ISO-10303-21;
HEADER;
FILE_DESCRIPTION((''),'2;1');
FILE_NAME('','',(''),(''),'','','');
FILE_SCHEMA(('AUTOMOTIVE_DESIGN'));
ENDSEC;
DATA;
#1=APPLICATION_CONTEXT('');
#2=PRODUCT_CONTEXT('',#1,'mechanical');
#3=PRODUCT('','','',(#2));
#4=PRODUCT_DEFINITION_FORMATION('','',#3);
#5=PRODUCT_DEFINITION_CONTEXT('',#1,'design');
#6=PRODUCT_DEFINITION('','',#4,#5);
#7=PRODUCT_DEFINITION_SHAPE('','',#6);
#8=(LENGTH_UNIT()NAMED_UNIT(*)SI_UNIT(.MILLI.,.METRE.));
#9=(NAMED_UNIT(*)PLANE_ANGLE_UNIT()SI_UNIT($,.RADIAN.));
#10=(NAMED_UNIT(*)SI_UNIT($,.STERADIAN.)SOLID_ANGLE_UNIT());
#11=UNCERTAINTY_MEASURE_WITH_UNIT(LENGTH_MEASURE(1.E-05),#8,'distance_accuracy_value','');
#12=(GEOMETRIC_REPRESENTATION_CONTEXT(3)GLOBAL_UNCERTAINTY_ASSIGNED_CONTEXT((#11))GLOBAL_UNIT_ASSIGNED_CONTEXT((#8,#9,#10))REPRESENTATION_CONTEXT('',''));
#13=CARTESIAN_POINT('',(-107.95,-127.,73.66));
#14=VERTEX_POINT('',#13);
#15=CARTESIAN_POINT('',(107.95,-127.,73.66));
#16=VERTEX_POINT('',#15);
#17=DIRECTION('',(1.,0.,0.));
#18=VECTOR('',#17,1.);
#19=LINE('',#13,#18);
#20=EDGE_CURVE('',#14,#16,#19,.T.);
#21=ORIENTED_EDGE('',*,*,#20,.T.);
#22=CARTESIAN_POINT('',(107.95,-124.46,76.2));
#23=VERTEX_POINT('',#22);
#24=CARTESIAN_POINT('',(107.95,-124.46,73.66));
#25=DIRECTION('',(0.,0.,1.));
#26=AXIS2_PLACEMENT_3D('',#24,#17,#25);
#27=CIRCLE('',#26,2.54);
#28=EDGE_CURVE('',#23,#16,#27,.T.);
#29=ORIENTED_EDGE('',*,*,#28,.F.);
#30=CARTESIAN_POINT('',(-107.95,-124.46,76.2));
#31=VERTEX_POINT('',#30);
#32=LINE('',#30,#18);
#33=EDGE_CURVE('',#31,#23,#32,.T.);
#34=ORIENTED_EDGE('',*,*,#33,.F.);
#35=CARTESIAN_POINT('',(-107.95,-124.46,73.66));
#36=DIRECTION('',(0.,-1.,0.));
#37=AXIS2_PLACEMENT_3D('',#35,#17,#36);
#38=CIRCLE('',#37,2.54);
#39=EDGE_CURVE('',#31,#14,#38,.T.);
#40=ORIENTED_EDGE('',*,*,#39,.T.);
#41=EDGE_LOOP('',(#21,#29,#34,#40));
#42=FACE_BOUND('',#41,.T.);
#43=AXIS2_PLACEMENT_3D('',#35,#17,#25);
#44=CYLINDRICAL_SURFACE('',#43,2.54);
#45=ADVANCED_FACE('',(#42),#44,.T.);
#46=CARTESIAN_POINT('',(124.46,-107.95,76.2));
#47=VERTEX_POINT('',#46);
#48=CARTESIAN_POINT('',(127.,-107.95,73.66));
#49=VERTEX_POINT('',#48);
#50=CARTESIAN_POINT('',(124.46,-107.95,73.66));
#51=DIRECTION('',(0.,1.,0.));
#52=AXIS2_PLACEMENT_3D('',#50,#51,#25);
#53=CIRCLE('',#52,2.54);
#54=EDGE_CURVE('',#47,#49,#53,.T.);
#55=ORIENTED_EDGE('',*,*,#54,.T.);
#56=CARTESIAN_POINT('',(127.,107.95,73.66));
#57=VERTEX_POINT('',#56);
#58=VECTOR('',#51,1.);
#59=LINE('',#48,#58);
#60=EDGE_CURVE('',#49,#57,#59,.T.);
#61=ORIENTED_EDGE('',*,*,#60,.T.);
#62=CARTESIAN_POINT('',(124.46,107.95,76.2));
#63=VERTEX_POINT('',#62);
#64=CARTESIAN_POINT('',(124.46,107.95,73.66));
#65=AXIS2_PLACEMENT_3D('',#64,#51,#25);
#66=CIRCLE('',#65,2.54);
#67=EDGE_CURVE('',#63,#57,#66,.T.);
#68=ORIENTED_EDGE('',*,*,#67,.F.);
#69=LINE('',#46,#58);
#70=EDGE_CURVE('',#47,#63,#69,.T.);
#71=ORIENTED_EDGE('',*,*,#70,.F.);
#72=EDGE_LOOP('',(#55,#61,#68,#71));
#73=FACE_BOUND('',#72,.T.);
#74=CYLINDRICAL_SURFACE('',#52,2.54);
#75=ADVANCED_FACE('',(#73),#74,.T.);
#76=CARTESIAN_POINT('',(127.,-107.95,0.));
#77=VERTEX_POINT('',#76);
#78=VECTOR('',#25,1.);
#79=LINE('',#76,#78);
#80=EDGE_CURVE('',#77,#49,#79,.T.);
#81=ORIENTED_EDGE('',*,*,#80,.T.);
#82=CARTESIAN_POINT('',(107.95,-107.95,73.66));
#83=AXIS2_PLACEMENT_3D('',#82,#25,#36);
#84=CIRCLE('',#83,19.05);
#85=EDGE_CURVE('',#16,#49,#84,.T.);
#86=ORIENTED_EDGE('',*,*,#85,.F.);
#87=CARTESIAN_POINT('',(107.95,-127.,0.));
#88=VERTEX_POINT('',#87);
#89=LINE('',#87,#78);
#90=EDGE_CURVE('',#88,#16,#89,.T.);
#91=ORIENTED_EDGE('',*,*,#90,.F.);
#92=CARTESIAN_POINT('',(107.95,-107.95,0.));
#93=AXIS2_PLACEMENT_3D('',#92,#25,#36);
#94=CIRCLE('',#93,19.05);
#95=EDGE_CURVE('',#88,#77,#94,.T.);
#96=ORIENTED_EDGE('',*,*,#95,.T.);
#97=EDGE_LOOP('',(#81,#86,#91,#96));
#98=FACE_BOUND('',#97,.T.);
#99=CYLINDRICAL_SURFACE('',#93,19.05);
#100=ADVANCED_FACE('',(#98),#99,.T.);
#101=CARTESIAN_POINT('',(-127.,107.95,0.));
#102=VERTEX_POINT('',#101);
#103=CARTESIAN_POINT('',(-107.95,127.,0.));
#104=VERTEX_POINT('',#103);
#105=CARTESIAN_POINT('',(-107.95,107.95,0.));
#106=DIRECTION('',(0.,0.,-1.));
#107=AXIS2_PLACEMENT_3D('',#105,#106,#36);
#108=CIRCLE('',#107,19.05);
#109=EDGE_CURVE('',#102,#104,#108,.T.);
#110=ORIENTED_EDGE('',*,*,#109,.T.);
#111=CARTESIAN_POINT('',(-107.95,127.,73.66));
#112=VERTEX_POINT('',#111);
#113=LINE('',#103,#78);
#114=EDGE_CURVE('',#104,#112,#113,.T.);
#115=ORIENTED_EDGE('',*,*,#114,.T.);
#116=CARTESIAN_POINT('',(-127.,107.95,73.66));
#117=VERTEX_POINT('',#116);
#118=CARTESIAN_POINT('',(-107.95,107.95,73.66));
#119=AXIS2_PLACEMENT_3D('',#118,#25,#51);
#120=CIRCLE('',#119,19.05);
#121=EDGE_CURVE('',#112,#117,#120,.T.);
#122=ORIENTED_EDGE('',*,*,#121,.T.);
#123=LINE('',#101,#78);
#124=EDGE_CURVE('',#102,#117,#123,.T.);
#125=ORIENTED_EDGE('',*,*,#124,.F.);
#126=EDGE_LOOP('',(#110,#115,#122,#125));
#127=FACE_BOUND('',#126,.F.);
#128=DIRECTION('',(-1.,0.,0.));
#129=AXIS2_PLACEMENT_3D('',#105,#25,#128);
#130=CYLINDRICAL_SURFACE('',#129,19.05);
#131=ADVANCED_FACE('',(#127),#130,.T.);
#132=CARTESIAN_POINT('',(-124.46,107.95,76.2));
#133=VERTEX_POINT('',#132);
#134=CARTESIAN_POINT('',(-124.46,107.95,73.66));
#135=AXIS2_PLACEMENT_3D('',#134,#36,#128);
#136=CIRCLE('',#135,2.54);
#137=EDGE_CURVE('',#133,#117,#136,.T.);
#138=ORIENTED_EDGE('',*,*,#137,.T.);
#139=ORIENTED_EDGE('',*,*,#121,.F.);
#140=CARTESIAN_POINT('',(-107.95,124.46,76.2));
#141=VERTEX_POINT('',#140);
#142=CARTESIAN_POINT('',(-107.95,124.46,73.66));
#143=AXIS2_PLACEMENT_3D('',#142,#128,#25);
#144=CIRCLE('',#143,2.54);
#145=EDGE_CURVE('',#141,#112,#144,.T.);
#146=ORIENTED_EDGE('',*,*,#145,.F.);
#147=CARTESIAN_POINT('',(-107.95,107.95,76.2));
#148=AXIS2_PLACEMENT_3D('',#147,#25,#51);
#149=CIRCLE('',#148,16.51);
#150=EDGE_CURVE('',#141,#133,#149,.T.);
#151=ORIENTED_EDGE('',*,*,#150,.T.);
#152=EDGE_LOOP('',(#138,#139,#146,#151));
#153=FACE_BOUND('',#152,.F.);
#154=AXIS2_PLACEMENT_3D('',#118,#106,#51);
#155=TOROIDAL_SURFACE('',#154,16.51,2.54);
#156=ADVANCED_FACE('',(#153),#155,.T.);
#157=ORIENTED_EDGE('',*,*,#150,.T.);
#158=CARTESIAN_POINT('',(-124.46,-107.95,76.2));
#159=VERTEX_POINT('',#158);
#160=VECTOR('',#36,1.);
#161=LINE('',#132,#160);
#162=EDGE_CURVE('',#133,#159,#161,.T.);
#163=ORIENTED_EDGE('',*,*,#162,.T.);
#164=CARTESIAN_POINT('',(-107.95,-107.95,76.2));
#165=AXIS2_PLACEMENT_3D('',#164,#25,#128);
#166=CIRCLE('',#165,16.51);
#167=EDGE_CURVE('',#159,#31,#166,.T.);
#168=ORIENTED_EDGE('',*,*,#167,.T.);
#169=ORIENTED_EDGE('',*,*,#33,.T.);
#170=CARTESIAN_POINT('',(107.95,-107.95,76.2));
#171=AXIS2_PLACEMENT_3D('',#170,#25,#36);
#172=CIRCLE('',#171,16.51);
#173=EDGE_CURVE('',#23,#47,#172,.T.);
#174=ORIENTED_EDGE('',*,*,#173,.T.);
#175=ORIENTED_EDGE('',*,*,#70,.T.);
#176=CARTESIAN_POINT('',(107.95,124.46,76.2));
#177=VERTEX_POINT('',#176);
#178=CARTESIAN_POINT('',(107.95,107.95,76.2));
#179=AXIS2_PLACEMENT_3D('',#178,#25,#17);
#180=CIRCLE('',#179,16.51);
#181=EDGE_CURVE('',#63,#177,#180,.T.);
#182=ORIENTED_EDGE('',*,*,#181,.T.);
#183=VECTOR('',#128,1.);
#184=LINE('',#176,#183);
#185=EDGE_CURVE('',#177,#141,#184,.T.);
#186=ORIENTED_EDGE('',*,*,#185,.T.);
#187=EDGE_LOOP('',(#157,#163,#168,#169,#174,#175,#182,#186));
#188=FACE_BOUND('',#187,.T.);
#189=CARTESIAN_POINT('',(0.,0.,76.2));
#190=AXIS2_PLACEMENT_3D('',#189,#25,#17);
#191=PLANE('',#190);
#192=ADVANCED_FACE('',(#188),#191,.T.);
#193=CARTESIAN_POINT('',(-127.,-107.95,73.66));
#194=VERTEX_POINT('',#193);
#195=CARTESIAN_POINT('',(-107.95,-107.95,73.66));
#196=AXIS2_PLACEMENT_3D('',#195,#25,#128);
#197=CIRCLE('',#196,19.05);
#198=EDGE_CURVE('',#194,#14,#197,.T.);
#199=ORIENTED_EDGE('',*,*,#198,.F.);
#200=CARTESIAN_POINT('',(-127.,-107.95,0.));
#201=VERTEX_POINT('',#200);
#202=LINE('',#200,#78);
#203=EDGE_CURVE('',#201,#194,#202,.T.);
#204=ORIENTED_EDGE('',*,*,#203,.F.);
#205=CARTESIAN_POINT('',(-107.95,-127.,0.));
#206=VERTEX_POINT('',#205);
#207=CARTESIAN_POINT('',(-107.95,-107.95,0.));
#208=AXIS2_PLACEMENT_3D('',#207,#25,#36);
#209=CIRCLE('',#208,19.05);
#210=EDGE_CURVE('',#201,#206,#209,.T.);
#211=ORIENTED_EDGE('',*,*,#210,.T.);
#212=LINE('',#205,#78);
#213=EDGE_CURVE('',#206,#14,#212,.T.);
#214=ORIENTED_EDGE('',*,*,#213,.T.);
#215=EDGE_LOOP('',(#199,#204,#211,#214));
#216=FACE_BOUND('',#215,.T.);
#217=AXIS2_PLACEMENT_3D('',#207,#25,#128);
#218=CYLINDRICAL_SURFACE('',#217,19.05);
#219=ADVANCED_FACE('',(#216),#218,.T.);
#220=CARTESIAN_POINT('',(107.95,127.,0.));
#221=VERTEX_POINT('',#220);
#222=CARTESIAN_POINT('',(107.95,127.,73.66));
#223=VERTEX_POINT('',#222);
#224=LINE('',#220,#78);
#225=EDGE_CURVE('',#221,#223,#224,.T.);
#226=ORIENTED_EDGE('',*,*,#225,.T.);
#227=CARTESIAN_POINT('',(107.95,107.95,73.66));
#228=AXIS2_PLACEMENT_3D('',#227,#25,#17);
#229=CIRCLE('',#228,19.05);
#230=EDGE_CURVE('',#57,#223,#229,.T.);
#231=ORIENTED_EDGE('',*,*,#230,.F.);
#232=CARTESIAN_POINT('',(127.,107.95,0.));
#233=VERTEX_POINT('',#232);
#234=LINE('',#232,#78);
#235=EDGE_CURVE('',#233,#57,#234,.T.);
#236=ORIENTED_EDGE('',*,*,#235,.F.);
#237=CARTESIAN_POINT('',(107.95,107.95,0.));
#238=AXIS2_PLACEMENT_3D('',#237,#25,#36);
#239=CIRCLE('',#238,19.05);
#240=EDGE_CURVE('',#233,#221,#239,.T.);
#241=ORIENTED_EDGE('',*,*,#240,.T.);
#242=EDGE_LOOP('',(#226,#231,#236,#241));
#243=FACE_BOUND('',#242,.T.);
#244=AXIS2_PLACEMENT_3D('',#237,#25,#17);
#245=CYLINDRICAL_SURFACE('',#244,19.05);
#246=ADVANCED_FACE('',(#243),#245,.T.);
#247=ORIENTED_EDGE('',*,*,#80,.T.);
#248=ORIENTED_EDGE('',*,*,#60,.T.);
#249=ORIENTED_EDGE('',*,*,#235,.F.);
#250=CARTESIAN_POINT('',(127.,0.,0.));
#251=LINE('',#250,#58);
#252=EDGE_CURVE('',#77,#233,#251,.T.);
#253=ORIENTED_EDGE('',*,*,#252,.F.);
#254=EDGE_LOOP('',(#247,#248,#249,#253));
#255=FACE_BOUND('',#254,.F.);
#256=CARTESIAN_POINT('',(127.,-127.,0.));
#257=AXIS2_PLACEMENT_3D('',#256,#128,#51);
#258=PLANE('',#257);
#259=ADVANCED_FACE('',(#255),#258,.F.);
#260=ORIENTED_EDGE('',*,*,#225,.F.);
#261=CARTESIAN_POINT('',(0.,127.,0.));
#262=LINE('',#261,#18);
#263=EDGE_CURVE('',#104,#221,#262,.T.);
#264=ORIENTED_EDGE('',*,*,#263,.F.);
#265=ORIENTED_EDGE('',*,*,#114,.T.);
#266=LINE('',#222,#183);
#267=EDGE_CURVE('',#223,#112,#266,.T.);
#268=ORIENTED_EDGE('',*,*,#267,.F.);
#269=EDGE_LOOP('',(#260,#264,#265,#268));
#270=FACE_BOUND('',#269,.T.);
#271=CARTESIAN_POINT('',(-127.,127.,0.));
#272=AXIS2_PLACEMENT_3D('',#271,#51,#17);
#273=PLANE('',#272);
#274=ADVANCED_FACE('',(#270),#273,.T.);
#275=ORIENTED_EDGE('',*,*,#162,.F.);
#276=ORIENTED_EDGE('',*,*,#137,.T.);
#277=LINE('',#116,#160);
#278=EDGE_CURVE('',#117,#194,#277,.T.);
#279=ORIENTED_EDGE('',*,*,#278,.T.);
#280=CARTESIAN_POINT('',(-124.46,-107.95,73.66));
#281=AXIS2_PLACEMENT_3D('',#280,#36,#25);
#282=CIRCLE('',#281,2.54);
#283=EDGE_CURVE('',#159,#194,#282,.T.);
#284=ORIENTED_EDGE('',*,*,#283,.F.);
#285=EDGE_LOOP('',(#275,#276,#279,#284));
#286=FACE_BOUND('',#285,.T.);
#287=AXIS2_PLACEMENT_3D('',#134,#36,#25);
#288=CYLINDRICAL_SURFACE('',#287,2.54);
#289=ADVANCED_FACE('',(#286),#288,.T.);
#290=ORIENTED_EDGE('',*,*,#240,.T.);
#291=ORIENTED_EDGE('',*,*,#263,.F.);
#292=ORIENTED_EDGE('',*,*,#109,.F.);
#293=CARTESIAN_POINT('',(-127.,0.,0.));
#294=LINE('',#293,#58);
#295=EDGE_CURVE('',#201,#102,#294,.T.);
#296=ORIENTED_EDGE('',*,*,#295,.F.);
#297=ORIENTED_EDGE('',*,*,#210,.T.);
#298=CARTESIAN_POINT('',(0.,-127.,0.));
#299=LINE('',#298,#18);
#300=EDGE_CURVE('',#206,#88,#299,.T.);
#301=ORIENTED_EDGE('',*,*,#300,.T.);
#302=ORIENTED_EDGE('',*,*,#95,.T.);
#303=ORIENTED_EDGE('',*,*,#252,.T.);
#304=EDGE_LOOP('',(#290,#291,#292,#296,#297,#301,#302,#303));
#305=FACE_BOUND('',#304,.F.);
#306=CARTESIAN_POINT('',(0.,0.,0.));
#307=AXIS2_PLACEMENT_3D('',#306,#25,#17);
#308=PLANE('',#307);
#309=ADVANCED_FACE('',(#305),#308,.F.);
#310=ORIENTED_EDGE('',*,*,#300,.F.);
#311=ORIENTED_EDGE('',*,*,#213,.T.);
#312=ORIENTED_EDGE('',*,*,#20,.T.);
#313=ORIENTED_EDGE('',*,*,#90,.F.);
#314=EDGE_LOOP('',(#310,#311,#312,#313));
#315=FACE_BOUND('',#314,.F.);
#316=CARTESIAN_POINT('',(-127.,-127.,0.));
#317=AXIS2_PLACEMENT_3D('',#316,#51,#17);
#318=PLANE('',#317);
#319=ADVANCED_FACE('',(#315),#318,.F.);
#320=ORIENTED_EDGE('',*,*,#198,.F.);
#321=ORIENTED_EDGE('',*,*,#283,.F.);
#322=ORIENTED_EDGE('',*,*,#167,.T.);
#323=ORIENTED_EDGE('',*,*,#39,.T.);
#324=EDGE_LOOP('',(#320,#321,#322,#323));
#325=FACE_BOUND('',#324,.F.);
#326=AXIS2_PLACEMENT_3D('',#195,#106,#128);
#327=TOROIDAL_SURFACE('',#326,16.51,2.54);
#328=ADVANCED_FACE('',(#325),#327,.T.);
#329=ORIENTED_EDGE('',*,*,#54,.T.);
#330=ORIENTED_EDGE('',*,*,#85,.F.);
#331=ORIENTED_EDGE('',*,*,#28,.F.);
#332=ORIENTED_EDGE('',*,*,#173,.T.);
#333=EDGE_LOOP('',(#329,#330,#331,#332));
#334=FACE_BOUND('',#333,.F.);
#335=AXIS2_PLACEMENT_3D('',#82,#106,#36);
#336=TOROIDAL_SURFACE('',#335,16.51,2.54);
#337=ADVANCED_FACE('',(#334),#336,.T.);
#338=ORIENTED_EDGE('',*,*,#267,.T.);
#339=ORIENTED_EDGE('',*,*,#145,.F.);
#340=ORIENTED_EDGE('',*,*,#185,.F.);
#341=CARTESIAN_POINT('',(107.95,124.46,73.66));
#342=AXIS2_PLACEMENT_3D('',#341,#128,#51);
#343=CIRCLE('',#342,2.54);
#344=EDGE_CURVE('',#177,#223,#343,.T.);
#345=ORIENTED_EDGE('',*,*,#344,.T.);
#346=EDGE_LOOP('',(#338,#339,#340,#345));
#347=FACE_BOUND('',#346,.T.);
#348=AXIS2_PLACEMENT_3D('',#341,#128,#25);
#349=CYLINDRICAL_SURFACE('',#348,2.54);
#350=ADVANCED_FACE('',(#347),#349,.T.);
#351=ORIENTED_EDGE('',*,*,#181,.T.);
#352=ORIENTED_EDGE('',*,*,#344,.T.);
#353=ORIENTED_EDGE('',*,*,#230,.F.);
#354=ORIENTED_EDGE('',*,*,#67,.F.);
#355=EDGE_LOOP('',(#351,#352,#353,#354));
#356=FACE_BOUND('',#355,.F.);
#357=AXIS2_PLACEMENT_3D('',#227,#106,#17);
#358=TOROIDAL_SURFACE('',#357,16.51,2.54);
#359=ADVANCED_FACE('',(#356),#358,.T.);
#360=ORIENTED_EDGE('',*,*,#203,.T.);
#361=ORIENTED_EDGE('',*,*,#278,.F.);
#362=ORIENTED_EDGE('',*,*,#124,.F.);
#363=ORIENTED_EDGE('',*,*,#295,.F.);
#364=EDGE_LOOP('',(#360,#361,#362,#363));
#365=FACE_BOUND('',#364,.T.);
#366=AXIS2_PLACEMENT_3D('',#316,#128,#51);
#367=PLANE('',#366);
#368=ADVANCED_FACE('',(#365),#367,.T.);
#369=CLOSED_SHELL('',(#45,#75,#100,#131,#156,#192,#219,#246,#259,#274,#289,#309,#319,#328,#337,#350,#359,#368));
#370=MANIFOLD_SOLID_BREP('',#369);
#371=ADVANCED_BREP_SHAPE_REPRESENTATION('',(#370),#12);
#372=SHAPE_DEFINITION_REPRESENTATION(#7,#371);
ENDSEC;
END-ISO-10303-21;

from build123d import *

# Parameters (mm, degrees)
F0_W     = 254
F0_H     = 254
F1_DEPTH = 76.2
F2_R     = 19.05
F3_R     = 2.54


with BuildPart() as f1:
    # F0 (on Top) → F1 (new body)
    with BuildSketch(Plane.XY):
        Rectangle(F0_W, F0_H)
    extrude(amount=F1_DEPTH)

    # F2
    f2_edges = [f1.edges().sort_by_distance(p)[0] for p in [
        (127, -127, 38.1),
        (127, 127, 38.1),
        (-127, 127, 38.1),
        (-127, -127, 38.1),
    ]]
    fillet(f2_edges, radius=F2_R)

    # F3
    f3_edges = [f1.edges().sort_by_distance(p)[0] for p in [
        (127, 0, 76.2),
    ]]
    fillet(f3_edges, radius=F3_R)


solid = f1.part
